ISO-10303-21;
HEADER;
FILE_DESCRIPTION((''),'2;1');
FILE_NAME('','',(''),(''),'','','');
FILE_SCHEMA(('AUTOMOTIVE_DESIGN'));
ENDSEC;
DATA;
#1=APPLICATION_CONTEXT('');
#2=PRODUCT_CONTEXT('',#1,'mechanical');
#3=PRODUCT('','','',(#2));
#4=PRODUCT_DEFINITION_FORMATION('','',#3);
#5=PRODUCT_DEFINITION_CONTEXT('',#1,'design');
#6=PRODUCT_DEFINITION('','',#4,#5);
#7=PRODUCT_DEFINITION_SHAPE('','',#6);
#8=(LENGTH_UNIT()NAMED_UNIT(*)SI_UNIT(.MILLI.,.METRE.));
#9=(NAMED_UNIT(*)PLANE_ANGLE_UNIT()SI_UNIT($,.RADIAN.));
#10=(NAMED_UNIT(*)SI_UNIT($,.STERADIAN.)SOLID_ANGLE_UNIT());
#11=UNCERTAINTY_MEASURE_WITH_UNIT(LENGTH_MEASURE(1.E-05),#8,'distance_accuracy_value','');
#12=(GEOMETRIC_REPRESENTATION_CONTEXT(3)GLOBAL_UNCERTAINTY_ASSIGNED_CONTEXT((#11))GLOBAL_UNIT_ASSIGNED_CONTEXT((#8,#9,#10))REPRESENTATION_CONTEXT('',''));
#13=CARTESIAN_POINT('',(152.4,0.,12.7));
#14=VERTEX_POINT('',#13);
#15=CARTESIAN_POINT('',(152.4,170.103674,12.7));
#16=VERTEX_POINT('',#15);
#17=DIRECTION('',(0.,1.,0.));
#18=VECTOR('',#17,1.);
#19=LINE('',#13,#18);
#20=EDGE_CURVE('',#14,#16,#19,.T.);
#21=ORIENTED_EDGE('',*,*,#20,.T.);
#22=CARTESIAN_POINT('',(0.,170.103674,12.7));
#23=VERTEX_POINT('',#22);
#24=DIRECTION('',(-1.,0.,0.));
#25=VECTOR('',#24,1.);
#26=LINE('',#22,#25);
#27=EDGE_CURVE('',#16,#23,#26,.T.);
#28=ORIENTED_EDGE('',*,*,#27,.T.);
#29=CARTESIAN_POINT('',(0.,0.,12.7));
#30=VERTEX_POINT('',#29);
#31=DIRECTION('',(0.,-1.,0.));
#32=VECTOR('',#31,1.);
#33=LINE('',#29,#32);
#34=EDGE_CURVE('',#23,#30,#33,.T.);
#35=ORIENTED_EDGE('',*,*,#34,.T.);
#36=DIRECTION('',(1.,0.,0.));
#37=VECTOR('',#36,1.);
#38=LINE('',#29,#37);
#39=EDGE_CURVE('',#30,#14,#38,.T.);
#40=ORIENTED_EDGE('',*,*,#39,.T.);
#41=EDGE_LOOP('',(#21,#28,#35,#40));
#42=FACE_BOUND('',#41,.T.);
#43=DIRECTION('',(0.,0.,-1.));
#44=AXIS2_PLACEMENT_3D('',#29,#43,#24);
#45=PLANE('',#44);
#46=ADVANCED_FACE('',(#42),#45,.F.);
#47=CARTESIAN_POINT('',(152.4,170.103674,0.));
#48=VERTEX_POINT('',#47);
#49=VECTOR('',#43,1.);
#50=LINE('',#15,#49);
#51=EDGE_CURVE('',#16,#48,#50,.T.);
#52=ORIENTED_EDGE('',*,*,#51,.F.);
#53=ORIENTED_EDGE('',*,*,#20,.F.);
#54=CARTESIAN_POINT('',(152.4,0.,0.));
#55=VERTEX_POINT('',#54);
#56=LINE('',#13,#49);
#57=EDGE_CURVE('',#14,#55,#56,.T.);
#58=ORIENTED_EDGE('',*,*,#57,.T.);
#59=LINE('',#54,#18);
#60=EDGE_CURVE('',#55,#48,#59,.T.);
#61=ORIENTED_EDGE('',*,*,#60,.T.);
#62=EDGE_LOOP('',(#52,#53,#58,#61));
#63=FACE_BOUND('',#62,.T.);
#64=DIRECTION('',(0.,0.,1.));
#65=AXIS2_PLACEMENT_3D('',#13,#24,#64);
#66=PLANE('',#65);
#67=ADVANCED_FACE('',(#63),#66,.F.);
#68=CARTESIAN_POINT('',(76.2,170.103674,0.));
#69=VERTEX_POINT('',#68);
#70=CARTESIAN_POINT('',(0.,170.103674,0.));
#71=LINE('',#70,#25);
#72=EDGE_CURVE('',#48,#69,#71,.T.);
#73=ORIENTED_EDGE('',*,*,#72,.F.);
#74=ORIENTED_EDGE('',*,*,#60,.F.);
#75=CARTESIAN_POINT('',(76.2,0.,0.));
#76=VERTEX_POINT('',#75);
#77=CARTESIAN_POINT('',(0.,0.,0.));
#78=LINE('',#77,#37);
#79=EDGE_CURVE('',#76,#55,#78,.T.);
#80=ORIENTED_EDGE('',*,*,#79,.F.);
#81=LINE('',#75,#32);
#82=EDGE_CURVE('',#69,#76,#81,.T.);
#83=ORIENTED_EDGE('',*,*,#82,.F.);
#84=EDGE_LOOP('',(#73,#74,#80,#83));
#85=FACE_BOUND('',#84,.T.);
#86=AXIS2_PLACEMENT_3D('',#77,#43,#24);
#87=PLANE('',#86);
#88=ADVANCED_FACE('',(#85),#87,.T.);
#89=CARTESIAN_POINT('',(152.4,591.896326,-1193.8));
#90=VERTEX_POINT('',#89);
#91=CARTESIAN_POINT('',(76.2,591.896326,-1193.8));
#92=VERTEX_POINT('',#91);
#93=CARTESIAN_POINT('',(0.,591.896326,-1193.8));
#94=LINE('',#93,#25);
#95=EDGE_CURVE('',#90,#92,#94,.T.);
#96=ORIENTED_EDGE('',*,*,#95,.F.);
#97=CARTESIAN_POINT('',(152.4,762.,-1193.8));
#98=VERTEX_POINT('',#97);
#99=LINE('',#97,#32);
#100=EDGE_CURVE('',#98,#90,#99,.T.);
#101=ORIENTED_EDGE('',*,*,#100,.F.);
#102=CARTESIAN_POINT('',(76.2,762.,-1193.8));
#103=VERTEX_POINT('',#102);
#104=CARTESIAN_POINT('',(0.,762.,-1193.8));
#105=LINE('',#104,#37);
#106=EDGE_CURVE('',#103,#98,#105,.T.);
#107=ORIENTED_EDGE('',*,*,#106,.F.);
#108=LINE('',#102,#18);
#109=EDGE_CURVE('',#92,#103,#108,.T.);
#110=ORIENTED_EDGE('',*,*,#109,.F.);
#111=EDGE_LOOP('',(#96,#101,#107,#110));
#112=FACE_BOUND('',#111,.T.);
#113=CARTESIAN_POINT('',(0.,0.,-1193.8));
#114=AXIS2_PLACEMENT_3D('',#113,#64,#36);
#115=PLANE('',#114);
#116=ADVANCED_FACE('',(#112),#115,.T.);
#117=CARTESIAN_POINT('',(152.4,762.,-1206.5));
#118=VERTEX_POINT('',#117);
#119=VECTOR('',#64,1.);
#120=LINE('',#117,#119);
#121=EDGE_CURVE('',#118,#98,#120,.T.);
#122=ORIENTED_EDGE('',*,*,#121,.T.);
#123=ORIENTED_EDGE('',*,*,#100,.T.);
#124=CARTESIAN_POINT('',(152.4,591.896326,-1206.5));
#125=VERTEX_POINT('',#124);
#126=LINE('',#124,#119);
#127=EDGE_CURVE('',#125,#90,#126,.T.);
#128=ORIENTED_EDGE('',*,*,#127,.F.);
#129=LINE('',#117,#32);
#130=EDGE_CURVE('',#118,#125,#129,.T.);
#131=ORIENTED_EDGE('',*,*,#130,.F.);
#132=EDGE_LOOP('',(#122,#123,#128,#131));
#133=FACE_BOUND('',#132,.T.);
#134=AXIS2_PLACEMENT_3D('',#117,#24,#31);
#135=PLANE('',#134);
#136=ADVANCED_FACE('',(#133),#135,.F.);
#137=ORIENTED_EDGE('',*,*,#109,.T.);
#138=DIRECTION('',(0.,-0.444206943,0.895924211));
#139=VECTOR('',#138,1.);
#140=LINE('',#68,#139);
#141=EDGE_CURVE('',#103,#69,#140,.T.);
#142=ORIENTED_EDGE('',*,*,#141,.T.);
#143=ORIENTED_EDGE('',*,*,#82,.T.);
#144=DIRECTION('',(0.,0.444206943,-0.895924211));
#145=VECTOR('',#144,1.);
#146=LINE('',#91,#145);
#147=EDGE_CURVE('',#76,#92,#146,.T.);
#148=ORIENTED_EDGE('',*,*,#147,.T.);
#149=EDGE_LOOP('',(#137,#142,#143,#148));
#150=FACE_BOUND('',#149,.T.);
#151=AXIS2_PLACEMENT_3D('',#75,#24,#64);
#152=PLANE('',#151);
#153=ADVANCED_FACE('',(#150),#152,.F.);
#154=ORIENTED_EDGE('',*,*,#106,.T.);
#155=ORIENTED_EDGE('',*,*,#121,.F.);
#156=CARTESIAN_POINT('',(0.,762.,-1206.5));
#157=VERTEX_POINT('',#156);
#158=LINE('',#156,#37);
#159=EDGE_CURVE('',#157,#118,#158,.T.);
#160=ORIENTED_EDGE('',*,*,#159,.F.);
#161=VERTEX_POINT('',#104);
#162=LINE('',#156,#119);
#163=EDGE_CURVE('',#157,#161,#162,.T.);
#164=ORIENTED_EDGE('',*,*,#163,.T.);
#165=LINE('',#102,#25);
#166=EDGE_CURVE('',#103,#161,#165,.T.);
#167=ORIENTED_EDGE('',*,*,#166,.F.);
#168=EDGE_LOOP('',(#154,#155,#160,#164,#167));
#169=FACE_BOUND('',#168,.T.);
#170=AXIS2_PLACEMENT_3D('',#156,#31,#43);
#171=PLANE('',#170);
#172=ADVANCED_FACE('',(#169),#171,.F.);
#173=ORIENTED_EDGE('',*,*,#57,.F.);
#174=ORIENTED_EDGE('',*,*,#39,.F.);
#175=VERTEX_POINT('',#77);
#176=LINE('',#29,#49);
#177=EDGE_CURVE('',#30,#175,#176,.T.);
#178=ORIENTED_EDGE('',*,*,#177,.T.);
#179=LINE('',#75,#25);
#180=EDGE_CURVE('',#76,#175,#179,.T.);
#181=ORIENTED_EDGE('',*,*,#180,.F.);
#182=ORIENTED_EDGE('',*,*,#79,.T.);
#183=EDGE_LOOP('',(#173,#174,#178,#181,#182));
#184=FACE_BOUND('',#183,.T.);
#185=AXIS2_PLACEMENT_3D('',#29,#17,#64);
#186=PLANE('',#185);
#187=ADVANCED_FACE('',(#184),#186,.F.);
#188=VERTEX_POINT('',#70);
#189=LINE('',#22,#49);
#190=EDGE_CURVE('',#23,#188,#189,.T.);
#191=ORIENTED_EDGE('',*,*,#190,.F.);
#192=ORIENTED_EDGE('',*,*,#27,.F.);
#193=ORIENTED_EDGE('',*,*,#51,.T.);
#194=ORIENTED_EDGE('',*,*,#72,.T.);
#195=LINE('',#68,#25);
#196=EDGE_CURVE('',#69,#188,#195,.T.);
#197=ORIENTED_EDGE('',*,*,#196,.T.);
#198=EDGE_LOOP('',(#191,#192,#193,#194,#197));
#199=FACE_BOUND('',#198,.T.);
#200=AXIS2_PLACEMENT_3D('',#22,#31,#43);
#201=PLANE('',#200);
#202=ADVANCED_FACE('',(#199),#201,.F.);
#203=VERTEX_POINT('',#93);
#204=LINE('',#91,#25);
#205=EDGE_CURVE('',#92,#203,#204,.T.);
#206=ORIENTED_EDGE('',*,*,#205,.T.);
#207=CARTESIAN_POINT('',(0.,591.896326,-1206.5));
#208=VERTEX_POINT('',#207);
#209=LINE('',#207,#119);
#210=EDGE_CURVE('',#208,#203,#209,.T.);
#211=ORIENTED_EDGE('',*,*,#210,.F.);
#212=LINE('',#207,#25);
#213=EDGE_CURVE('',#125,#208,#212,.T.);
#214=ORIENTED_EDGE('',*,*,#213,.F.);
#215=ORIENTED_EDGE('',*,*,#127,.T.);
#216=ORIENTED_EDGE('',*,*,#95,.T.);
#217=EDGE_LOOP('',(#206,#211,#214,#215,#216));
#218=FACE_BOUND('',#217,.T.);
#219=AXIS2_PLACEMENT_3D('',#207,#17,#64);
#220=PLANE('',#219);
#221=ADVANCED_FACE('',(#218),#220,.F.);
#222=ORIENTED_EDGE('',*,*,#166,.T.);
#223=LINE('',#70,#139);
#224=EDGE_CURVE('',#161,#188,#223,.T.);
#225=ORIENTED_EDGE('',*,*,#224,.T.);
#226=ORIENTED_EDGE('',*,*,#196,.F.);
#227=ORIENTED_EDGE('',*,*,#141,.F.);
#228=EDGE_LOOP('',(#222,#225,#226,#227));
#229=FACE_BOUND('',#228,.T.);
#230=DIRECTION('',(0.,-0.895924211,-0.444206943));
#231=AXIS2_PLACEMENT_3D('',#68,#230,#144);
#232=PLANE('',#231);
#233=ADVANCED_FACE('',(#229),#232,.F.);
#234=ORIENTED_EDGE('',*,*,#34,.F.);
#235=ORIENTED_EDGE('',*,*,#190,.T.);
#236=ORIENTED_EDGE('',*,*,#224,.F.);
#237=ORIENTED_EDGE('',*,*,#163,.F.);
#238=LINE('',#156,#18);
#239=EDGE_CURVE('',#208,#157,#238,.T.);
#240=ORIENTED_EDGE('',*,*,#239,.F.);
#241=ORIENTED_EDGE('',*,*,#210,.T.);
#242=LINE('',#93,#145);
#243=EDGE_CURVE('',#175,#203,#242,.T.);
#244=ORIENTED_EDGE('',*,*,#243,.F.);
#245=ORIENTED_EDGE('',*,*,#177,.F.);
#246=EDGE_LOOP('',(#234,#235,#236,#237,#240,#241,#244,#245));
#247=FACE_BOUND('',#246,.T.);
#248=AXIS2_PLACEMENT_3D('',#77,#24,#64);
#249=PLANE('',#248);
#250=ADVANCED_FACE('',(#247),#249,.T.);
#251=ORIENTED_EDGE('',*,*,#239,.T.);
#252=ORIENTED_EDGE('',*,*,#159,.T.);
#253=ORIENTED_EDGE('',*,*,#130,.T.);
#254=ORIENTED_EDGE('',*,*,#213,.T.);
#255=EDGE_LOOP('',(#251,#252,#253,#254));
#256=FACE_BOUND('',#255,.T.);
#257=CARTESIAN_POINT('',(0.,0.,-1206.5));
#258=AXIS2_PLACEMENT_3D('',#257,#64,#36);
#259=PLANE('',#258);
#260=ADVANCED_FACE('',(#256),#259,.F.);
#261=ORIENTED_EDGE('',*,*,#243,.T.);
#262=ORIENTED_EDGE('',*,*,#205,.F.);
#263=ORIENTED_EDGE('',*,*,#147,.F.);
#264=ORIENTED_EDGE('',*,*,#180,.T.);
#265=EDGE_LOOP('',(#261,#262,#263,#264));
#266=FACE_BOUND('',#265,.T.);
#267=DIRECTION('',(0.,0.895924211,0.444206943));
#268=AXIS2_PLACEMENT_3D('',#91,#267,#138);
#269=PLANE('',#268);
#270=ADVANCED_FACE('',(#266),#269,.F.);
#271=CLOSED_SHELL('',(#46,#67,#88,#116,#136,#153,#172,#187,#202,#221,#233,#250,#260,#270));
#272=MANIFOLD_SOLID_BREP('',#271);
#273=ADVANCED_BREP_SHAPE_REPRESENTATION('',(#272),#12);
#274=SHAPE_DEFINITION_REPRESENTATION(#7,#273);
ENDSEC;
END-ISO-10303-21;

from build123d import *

# Parameters (mm, degrees)
BOSS_EXTRUDE1_DEPTH = 76.2
SKETCH5_W           = 152.4
SKETCH5_H           = 170.103674112
BOSS_EXTRUDE3_DEPTH = 12.7
SKETCH6_W           = 152.4
SKETCH6_H           = 170.103674112
BOSS_EXTRUDE4_DEPTH = 12.7


with BuildPart() as part:
    # Sketch2 → Boss-Extrude1 (new body)
    with BuildSketch(Plane(origin=(0, 0, 0), x_dir=(0, 0, -1), z_dir=(1, 0, 0))):
        Polygon((0, 0), (0, 170.103674112), (1193.8, 762), (1193.8, 591.896325888), align=None)
    extrude(amount=BOSS_EXTRUDE1_DEPTH)

    # Sketch5 → Boss-Extrude3 (add)
    with BuildSketch(Plane(origin=(0, 0, -1193.8), x_dir=(-1, 0, 0), z_dir=(0, 0, -1))):
        with Locations((-76.2, 676.948162944)):
            Rectangle(SKETCH5_W, SKETCH5_H)
    extrude(amount=BOSS_EXTRUDE3_DEPTH)

    # Sketch6 → Boss-Extrude4 (add)
    with BuildSketch(Plane.XY):
        with Locations((76.2, 85.051837056)):
            Rectangle(SKETCH6_W, SKETCH6_H)
    extrude(amount=BOSS_EXTRUDE4_DEPTH)


solid = part.part
